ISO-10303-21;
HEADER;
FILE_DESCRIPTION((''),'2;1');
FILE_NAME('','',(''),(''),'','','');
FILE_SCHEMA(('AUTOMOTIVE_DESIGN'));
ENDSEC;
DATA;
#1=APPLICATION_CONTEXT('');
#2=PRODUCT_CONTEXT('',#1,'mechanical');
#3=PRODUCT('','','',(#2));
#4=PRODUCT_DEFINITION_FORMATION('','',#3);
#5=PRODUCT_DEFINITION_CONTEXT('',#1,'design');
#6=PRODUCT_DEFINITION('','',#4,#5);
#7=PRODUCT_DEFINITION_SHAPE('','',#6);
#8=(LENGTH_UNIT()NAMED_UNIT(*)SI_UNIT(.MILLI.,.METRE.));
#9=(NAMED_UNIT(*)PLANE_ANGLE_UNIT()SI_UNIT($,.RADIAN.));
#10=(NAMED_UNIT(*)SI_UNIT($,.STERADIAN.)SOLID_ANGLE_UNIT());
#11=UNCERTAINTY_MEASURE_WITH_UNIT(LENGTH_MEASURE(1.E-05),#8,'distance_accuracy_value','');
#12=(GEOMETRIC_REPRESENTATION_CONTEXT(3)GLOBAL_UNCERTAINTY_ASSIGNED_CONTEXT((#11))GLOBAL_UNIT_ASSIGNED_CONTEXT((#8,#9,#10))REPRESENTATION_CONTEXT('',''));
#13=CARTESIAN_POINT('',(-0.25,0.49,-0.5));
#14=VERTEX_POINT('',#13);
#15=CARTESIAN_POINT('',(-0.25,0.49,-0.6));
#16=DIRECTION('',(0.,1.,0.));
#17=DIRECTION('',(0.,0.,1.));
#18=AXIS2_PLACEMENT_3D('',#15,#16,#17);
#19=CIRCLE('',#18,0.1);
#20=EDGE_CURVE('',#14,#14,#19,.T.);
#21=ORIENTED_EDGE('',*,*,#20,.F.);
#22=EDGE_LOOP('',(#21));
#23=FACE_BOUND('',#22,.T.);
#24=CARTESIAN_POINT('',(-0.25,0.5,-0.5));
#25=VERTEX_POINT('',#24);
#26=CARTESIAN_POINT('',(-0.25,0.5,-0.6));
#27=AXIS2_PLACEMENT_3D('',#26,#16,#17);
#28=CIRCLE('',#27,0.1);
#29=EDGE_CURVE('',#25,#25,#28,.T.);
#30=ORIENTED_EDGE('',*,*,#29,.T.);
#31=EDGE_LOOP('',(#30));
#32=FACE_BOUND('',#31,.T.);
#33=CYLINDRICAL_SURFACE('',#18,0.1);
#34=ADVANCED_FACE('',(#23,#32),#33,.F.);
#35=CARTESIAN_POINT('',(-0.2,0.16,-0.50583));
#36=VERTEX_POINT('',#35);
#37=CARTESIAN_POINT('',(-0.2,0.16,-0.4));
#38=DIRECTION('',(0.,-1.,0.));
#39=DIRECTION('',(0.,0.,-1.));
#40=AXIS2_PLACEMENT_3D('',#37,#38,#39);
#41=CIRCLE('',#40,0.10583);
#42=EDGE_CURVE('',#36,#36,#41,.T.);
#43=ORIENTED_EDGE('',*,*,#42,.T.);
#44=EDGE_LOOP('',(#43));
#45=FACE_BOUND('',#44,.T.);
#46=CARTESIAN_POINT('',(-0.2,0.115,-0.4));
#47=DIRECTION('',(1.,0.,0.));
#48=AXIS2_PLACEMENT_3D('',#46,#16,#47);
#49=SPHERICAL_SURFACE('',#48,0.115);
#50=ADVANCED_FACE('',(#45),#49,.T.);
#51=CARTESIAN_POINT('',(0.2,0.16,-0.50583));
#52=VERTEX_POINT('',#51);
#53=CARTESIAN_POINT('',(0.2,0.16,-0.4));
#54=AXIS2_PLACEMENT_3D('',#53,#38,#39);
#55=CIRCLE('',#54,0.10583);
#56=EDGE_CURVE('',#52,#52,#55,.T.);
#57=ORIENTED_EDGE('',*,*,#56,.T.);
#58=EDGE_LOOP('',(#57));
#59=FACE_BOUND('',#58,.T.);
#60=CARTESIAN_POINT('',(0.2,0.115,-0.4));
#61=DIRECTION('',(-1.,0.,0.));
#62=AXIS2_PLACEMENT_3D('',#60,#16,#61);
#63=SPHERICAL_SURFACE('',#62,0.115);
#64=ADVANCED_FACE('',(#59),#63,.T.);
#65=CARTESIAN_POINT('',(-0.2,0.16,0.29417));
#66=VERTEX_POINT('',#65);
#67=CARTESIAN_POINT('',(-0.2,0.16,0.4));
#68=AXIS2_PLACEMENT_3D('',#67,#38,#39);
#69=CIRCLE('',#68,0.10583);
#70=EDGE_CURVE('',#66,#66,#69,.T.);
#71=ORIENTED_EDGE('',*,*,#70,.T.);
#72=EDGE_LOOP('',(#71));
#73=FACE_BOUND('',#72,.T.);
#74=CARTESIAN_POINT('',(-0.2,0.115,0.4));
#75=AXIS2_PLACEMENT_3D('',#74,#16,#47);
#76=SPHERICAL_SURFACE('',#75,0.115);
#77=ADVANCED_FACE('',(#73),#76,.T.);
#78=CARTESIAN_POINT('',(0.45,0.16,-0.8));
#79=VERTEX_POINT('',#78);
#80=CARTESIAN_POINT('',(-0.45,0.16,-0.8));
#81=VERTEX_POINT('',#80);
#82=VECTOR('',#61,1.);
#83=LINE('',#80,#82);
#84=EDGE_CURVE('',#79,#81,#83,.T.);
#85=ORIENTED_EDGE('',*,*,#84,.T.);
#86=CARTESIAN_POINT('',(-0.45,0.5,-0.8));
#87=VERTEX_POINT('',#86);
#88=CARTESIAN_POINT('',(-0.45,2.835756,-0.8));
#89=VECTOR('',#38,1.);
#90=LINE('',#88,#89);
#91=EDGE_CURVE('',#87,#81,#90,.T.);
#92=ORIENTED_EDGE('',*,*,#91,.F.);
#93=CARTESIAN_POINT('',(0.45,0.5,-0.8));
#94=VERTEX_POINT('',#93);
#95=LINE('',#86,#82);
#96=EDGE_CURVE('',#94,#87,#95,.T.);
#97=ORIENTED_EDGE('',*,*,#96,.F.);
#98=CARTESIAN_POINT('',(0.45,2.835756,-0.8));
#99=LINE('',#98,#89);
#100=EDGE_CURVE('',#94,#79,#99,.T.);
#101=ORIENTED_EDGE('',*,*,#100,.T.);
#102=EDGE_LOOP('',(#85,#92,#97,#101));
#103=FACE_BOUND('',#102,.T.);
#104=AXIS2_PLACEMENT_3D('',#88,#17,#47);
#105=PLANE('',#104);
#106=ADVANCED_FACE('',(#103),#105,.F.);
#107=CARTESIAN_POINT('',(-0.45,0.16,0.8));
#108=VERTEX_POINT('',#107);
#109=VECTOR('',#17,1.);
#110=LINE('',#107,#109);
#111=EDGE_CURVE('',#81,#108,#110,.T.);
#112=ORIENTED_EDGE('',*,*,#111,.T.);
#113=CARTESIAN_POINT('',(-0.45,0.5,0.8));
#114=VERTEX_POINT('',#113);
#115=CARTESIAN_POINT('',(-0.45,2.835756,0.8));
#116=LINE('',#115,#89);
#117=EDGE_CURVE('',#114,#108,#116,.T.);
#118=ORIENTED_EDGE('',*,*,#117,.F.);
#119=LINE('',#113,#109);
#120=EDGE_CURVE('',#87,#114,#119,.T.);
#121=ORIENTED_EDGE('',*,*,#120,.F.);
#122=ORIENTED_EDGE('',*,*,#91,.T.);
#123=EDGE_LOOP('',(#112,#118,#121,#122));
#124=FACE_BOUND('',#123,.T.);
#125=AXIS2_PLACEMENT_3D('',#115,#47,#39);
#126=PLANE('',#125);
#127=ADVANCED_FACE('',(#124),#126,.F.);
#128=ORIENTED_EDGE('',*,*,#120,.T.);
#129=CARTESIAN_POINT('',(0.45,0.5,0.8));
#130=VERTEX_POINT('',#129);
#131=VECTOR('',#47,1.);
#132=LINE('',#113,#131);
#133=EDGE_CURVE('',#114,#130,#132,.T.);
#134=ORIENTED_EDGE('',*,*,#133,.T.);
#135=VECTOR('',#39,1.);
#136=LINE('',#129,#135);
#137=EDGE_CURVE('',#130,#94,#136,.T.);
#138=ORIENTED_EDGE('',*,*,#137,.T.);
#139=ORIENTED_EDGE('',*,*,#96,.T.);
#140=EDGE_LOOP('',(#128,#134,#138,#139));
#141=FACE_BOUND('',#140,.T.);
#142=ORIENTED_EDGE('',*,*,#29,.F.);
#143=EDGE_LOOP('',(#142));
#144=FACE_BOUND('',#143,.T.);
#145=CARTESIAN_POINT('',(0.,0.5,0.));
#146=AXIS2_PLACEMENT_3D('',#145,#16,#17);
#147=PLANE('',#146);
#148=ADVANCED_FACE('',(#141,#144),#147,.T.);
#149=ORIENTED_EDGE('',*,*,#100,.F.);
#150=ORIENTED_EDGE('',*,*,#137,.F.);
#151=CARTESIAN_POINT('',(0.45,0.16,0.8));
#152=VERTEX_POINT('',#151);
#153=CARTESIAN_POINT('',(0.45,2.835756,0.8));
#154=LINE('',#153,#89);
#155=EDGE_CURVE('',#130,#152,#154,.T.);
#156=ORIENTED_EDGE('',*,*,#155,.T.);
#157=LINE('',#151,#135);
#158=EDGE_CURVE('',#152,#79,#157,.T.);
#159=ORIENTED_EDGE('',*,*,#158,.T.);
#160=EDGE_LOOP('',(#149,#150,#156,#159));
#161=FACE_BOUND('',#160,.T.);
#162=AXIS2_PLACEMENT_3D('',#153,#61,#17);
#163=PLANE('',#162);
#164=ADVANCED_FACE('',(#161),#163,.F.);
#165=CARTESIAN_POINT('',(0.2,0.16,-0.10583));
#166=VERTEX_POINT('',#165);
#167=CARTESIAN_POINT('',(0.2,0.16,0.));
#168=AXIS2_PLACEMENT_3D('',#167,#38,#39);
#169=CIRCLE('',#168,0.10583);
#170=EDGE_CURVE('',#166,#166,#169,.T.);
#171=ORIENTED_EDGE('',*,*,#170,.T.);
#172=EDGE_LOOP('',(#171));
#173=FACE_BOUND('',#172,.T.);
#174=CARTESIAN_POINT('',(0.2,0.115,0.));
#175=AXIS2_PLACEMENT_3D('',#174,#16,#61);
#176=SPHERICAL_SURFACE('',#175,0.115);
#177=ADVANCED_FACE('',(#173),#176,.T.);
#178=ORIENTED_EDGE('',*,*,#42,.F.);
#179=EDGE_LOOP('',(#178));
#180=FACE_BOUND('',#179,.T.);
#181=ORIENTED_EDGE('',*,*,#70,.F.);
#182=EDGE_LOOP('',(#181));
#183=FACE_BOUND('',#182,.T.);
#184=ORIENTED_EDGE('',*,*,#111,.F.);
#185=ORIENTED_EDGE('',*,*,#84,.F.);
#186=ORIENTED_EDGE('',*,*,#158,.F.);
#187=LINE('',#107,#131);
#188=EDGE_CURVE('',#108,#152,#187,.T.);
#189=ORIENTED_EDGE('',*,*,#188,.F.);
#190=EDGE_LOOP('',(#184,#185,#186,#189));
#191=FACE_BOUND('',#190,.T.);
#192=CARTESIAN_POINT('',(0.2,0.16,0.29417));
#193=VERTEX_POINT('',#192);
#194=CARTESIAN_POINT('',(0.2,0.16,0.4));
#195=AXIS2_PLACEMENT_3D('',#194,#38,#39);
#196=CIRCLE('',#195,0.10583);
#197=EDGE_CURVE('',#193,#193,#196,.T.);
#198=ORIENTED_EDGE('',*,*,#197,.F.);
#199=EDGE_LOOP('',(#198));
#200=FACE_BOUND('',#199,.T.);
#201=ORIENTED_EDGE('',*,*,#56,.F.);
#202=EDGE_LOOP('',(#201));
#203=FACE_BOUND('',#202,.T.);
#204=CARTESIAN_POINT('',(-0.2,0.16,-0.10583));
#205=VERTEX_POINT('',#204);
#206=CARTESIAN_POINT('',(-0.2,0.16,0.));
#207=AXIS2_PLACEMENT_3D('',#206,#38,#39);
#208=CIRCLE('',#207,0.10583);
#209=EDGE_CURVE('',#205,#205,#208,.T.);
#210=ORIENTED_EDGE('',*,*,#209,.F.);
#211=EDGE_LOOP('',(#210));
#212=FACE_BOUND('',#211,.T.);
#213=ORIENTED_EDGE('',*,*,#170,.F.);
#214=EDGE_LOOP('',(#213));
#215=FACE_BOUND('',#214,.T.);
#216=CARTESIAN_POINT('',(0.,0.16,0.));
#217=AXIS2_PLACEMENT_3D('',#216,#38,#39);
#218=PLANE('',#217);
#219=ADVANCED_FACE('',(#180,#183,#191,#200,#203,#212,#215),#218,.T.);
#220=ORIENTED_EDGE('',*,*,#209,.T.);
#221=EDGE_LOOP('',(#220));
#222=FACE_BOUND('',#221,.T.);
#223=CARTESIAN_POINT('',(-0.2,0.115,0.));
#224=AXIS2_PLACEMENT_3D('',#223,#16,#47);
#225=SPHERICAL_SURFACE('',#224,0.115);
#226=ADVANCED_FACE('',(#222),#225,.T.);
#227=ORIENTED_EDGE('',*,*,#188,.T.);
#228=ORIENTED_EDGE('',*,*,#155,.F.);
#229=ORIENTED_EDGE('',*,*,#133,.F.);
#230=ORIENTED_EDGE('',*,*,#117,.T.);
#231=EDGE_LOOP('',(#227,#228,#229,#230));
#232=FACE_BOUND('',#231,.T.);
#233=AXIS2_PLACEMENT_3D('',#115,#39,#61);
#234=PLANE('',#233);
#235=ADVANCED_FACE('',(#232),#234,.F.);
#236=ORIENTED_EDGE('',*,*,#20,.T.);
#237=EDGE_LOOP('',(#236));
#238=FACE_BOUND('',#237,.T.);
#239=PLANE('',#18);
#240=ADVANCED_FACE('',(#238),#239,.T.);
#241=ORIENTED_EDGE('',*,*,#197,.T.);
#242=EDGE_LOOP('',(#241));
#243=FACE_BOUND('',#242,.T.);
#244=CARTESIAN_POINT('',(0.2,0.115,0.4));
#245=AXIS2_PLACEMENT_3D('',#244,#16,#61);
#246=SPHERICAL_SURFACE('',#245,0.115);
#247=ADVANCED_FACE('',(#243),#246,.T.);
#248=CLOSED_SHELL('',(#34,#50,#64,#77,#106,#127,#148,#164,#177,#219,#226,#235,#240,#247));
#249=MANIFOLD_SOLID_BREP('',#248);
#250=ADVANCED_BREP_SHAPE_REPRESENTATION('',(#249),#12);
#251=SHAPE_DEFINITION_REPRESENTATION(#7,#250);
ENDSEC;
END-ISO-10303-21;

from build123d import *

# Parameters (mm, degrees)
SKETCH1_W           = 0.9
SKETCH1_H           = 1.6
BOSS_EXTRUDE1_DEPTH = 0.34
SKETCH3_R           = 0.1
CUT_EXTRUDE1_DEPTH  = 0.01
LPATTERN1_COUNT     = 2
LPATTERN1_PITCH     = 0.4
LPATTERN1_COL_COUNT = 2
LPATTERN1_COL_PITCH = 0.4


with BuildPart() as part:
    # Sketch1 → Boss-Extrude1 (new body)
    with BuildSketch(Plane(origin=(0, 0.16, 0), x_dir=(1, 0, 0), z_dir=(0, 1, 0))):
        Rectangle(SKETCH1_W, SKETCH1_H)
    extrude(amount=BOSS_EXTRUDE1_DEPTH)

    # Sketch3 → Cut-Extrude1 (cut)
    with BuildSketch(Plane(origin=(0, 0.5, 0), x_dir=(1, 0, 0), z_dir=(0, 1, 0))):
        with Locations(Location((-0.25, 0.6, 0), (0, 0, 270))):
            Circle(SKETCH3_R)
    extrude(amount=-CUT_EXTRUDE1_DEPTH, mode=Mode.SUBTRACT)

    # Sketch2 → Revolve3 (revolve)
    with BuildSketch(Plane.XY):
        with BuildLine():
            Line((-0.2, 0.23), (-0.2, 0))
            ThreePointArc((-0.2, 0), (-0.315, 0.115), (-0.2, 0.23))
        make_face()
    revolve3 = revolve(axis=Axis((-0.2, 0.23, 0), (0, -1, 0)))

    # LPattern1: Revolve3 ×2
    with Locations(*[(0, 0, -i * LPATTERN1_PITCH) for i in range(1, LPATTERN1_COUNT)]):
        add(revolve3)

    # LPattern1 col: Revolve3 ×2
    with Locations(*[(0, 0, i * LPATTERN1_COL_PITCH) for i in range(1, LPATTERN1_COL_COUNT)]):
        add(revolve3)

    # Mirror1: Revolve3 across plane
    add(revolve3.mirror(Plane(origin=(0, 0, 0), x_dir=(0, 0, 1), z_dir=(1, 0, 0))))

    # Mirror1 copy 1 sketch → Mirror1 copy 1 (revolve)
    with BuildSketch(Plane(origin=(0, 0, -0.4), x_dir=(-1, 0, 0), z_dir=(0, 0, 1))):
        with BuildLine():
            Line((-0.2, -0.23), (-0.2, 0))
            ThreePointArc((-0.2, 0), (-0.315, -0.115), (-0.2, -0.23))
        make_face()
    revolve(axis=Axis((0.2, 0.23, -0.4), (0, 1, 0)))

    # Mirror1 copy 2 sketch → Mirror1 copy 2 (revolve)
    with BuildSketch(Plane(origin=(0, 0, 0.4), x_dir=(-1, 0, 0), z_dir=(0, 0, 1))):
        with BuildLine():
            Line((-0.2, -0.23), (-0.2, 0))
            ThreePointArc((-0.2, 0), (-0.315, -0.115), (-0.2, -0.23))
        make_face()
    revolve(axis=Axis((0.2, 0.23, 0.4), (0, 1, 0)))


solid = part.part
